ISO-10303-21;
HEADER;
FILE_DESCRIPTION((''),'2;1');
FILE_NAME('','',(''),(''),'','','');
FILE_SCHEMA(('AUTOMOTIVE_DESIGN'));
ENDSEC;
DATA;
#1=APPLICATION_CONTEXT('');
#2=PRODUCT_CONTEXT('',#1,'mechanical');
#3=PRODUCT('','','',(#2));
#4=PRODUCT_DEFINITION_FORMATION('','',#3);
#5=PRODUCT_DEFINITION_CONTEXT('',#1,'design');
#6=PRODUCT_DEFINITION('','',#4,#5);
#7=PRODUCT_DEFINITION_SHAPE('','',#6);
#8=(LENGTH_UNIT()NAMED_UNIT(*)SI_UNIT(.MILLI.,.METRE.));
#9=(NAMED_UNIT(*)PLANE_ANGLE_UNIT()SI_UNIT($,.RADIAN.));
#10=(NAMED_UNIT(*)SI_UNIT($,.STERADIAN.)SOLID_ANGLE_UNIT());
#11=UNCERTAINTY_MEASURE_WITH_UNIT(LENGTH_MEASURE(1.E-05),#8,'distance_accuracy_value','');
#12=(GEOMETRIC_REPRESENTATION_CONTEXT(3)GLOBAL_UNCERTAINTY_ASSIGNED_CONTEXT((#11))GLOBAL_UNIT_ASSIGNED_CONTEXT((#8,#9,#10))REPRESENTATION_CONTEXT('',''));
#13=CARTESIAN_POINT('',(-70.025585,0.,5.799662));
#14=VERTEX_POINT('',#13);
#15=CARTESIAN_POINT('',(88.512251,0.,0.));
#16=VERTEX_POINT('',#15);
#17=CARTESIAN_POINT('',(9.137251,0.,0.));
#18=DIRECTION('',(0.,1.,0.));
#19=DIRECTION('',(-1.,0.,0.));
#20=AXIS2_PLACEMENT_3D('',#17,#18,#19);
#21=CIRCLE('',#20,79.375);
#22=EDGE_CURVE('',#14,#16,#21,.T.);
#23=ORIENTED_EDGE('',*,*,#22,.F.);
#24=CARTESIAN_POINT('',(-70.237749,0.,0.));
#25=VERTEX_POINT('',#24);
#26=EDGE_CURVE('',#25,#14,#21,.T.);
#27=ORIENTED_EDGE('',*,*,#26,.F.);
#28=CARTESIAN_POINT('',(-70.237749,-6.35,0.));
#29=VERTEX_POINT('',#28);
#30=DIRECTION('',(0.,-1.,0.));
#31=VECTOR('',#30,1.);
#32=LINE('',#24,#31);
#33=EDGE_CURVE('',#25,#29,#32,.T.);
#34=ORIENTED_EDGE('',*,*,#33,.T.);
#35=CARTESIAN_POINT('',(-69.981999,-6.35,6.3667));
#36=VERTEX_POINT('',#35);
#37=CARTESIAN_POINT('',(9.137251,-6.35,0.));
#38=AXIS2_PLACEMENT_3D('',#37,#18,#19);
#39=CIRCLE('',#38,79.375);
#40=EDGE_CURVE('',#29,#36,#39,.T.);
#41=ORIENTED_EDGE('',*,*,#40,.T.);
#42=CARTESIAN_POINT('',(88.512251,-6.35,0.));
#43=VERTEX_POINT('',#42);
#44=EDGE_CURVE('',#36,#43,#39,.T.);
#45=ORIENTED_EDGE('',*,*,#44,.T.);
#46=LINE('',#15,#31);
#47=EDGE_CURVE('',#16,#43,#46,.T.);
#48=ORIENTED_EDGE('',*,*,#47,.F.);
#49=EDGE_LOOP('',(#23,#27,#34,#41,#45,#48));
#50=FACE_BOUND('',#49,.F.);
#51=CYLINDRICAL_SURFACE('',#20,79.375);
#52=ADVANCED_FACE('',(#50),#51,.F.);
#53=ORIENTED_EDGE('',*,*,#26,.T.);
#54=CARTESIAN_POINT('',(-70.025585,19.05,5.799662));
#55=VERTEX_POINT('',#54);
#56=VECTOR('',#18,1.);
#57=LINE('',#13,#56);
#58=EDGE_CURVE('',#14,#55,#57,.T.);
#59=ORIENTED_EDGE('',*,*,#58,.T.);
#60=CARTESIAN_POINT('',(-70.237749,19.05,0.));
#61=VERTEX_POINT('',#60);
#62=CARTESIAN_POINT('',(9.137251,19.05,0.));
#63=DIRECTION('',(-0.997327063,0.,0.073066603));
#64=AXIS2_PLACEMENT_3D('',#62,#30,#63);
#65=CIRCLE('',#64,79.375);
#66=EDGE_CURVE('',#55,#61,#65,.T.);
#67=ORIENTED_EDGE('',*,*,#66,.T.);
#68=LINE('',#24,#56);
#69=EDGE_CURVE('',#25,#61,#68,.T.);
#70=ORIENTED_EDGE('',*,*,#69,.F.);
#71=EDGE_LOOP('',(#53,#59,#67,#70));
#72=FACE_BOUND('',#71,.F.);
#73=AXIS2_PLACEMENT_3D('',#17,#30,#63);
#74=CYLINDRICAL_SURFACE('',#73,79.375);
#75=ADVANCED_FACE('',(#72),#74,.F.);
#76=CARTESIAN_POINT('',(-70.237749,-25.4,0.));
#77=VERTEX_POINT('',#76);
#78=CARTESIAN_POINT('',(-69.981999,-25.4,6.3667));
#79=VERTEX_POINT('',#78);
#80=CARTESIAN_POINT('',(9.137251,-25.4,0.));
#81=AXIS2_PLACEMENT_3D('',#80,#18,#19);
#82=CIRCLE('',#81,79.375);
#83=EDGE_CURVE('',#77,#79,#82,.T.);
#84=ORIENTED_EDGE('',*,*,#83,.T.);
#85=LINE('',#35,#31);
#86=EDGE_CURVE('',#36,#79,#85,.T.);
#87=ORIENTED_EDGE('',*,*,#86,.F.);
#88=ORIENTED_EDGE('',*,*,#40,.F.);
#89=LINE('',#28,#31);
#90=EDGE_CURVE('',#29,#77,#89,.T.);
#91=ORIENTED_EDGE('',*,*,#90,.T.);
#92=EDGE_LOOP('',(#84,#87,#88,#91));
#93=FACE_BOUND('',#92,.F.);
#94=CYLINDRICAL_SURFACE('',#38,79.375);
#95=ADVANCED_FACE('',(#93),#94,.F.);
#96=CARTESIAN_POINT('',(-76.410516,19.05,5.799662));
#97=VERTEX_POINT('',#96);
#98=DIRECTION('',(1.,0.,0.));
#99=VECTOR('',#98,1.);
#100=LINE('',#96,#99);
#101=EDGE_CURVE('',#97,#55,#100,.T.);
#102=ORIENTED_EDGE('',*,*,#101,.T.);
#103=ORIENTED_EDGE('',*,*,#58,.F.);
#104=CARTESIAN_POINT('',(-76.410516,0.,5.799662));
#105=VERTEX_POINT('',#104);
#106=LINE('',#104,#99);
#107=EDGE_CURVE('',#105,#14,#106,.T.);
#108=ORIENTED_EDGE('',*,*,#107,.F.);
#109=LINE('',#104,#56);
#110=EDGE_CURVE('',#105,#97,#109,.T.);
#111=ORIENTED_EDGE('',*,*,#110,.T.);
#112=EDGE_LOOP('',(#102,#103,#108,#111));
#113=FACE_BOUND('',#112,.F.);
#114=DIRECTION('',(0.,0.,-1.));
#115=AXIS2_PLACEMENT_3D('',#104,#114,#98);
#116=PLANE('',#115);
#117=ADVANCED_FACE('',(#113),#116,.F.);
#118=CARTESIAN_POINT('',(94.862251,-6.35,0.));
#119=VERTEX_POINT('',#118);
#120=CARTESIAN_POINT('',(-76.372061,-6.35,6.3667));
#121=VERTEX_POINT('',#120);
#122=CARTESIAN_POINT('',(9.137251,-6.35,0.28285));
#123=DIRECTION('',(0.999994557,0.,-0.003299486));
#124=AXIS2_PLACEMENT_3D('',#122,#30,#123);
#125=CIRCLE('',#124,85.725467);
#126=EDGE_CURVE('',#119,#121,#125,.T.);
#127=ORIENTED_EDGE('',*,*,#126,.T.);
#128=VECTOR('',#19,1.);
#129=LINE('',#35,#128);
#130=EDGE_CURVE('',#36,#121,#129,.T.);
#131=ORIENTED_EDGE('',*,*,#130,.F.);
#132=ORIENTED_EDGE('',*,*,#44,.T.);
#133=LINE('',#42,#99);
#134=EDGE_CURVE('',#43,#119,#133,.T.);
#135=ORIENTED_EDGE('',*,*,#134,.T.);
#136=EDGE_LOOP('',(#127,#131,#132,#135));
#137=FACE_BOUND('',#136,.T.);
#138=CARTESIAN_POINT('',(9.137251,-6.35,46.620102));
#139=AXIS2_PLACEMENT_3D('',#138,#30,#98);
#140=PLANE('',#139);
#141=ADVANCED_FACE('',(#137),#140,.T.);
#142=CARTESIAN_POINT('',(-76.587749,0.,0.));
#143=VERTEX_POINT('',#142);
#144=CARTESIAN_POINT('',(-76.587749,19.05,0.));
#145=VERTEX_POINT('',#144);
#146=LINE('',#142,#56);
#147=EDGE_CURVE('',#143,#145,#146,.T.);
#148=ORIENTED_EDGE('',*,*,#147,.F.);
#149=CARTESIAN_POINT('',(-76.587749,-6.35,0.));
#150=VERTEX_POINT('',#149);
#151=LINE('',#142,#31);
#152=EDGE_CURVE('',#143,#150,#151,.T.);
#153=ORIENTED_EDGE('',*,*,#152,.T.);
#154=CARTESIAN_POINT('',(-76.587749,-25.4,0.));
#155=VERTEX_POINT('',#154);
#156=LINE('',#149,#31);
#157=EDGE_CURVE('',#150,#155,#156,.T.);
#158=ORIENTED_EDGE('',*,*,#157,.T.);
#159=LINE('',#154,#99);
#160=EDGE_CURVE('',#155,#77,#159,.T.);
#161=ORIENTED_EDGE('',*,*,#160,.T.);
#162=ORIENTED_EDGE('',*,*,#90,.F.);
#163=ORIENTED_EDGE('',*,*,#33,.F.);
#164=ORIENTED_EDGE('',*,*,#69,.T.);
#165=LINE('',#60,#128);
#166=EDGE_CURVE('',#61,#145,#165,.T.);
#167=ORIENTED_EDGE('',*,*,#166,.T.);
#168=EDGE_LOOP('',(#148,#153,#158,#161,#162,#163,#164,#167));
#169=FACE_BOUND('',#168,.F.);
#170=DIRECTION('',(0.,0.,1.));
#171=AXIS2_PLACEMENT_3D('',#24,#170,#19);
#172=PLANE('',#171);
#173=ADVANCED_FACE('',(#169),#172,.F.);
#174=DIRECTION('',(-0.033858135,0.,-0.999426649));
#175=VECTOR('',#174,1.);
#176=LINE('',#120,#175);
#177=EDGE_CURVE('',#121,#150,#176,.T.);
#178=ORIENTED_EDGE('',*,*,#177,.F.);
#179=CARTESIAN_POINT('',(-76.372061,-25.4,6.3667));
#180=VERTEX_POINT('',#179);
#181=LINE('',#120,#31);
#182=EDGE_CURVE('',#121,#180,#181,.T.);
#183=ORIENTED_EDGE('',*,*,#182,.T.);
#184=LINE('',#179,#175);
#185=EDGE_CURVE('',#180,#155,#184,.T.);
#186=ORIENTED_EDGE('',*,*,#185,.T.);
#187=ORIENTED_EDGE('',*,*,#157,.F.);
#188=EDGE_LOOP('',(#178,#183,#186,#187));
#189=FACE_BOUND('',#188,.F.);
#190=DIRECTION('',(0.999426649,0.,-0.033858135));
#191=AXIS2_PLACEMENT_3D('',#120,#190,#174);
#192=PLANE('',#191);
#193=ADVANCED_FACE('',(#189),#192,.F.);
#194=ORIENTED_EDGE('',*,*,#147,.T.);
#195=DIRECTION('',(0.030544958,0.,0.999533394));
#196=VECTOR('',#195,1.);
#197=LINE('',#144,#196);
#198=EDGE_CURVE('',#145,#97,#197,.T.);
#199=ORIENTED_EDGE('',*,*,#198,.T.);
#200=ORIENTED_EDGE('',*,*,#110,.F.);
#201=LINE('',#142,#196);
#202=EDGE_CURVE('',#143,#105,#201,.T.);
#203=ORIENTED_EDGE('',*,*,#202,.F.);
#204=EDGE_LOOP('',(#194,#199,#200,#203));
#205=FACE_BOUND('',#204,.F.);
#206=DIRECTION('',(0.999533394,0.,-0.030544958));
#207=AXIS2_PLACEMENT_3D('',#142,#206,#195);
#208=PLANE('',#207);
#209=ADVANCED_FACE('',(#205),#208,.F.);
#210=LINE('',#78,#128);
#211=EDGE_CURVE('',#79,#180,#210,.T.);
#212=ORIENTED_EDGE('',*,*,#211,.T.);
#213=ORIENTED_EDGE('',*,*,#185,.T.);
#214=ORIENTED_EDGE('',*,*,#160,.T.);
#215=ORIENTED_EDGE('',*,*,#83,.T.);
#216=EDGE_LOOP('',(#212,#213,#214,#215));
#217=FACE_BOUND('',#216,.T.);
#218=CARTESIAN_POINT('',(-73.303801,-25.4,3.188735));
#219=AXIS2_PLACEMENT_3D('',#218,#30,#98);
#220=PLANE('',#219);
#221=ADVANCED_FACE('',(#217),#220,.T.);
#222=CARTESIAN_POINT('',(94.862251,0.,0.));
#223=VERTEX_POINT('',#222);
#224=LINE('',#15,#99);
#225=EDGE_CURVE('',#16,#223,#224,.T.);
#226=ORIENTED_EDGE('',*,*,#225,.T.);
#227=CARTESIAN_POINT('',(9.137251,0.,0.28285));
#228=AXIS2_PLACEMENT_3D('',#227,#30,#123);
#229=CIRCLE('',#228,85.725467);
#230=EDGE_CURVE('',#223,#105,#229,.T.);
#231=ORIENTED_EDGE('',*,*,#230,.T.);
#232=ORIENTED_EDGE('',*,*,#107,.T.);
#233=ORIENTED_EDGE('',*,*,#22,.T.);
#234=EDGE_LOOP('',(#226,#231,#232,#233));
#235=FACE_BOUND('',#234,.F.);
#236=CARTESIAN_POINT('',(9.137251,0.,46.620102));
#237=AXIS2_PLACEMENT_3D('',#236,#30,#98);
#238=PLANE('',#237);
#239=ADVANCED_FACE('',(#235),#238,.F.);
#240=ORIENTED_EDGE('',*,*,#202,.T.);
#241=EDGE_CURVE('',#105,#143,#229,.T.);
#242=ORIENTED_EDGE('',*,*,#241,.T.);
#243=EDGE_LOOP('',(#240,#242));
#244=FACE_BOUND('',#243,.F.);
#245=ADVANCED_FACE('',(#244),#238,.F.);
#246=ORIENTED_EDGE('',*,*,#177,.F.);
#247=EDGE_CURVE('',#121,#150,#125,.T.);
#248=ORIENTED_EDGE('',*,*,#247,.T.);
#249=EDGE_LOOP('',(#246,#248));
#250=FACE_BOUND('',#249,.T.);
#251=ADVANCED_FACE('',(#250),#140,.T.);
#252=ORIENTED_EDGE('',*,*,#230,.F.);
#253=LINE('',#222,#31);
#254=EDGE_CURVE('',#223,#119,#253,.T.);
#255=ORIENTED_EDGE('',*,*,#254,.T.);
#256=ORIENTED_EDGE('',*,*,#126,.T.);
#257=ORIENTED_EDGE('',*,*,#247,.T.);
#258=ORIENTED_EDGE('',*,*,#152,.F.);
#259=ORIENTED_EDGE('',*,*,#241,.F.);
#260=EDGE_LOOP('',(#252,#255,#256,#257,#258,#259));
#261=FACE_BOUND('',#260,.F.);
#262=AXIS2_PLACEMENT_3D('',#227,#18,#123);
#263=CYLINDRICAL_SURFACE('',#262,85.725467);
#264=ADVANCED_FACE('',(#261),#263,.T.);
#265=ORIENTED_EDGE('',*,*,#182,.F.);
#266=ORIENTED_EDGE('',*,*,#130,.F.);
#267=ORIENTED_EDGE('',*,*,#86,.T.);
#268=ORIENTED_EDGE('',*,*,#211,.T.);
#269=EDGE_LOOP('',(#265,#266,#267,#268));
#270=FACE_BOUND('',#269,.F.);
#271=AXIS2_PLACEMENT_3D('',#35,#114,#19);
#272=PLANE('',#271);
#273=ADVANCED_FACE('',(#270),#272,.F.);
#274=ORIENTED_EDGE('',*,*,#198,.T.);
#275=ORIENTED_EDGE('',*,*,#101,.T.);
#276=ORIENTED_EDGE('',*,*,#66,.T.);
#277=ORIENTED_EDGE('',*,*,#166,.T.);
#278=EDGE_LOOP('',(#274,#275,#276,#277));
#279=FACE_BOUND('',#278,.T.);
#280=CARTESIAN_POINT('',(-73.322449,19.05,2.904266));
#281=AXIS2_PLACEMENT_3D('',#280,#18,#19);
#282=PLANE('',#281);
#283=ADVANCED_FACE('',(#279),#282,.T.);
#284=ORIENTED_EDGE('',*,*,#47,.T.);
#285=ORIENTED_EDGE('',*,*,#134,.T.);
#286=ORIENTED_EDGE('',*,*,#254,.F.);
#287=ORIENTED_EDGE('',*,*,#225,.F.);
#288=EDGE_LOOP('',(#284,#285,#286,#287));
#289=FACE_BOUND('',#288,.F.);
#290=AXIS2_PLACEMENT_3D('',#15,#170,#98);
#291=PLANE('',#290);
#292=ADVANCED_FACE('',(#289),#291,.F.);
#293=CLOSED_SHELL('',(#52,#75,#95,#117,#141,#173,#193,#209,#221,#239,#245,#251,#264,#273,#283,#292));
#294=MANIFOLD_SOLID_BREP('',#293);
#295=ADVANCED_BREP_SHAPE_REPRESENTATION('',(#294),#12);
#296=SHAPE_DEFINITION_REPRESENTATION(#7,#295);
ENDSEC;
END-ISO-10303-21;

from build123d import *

# Parameters (mm, degrees)
F1_DEPTH = 6.35
F3_DEPTH = 19.05
F5_DEPTH = 19.05


with BuildPart() as f1:
    # F0 (on Front) → F1 (new body)
    with BuildSketch(Plane.XZ):
        with BuildLine():
            ThreePointArc((-70.237749294, 0), (9.137250706, 79.375), (88.512250706, 0))
            Line((88.512250706, 0), (94.862250706, 0))
            ThreePointArc((94.862250706, 0), (9.137250706, 86.0083166132), (-76.587749294, 0))
            Line((-76.587749294, 0), (-70.237749294, 0))
        make_face()
    extrude(amount=F1_DEPTH)

    # F2 (on face) → F3 (join)
    with BuildSketch(Plane.XZ.offset(6.35)):
        with BuildLine():
            Line((-76.587749294, 0), (-70.237749294, 0))
            ThreePointArc((-70.237749294, 0), (-70.1737860692, 3.1859175505), (-69.9819994827, 6.3667004474))
            Line((-69.9819994827, 6.3667004474), (-76.3720610245, 6.3667004474))
            Line((-76.3720610245, 6.3667004474), (-76.587749294, 0))
        make_face()
    extrude(amount=F3_DEPTH)

    # F4 (on face) → F5 (join)
    with BuildSketch(Plane(origin=(0, 0, 0), x_dir=(-1, 0, 0), z_dir=(0, 1, 0))):
        with BuildLine():
            ThreePointArc((70.0255849548, 5.7996616405), (70.1846904754, 2.9017705307), (70.237749294, 0))
            Line((70.237749294, 0), (76.587749294, 0))
            Line((76.587749294, 0), (76.4105161745, 5.7996616405))
            Line((76.4105161745, 5.7996616405), (70.0255849548, 5.7996616405))
        make_face()
    extrude(amount=F5_DEPTH)


solid = f1.part
